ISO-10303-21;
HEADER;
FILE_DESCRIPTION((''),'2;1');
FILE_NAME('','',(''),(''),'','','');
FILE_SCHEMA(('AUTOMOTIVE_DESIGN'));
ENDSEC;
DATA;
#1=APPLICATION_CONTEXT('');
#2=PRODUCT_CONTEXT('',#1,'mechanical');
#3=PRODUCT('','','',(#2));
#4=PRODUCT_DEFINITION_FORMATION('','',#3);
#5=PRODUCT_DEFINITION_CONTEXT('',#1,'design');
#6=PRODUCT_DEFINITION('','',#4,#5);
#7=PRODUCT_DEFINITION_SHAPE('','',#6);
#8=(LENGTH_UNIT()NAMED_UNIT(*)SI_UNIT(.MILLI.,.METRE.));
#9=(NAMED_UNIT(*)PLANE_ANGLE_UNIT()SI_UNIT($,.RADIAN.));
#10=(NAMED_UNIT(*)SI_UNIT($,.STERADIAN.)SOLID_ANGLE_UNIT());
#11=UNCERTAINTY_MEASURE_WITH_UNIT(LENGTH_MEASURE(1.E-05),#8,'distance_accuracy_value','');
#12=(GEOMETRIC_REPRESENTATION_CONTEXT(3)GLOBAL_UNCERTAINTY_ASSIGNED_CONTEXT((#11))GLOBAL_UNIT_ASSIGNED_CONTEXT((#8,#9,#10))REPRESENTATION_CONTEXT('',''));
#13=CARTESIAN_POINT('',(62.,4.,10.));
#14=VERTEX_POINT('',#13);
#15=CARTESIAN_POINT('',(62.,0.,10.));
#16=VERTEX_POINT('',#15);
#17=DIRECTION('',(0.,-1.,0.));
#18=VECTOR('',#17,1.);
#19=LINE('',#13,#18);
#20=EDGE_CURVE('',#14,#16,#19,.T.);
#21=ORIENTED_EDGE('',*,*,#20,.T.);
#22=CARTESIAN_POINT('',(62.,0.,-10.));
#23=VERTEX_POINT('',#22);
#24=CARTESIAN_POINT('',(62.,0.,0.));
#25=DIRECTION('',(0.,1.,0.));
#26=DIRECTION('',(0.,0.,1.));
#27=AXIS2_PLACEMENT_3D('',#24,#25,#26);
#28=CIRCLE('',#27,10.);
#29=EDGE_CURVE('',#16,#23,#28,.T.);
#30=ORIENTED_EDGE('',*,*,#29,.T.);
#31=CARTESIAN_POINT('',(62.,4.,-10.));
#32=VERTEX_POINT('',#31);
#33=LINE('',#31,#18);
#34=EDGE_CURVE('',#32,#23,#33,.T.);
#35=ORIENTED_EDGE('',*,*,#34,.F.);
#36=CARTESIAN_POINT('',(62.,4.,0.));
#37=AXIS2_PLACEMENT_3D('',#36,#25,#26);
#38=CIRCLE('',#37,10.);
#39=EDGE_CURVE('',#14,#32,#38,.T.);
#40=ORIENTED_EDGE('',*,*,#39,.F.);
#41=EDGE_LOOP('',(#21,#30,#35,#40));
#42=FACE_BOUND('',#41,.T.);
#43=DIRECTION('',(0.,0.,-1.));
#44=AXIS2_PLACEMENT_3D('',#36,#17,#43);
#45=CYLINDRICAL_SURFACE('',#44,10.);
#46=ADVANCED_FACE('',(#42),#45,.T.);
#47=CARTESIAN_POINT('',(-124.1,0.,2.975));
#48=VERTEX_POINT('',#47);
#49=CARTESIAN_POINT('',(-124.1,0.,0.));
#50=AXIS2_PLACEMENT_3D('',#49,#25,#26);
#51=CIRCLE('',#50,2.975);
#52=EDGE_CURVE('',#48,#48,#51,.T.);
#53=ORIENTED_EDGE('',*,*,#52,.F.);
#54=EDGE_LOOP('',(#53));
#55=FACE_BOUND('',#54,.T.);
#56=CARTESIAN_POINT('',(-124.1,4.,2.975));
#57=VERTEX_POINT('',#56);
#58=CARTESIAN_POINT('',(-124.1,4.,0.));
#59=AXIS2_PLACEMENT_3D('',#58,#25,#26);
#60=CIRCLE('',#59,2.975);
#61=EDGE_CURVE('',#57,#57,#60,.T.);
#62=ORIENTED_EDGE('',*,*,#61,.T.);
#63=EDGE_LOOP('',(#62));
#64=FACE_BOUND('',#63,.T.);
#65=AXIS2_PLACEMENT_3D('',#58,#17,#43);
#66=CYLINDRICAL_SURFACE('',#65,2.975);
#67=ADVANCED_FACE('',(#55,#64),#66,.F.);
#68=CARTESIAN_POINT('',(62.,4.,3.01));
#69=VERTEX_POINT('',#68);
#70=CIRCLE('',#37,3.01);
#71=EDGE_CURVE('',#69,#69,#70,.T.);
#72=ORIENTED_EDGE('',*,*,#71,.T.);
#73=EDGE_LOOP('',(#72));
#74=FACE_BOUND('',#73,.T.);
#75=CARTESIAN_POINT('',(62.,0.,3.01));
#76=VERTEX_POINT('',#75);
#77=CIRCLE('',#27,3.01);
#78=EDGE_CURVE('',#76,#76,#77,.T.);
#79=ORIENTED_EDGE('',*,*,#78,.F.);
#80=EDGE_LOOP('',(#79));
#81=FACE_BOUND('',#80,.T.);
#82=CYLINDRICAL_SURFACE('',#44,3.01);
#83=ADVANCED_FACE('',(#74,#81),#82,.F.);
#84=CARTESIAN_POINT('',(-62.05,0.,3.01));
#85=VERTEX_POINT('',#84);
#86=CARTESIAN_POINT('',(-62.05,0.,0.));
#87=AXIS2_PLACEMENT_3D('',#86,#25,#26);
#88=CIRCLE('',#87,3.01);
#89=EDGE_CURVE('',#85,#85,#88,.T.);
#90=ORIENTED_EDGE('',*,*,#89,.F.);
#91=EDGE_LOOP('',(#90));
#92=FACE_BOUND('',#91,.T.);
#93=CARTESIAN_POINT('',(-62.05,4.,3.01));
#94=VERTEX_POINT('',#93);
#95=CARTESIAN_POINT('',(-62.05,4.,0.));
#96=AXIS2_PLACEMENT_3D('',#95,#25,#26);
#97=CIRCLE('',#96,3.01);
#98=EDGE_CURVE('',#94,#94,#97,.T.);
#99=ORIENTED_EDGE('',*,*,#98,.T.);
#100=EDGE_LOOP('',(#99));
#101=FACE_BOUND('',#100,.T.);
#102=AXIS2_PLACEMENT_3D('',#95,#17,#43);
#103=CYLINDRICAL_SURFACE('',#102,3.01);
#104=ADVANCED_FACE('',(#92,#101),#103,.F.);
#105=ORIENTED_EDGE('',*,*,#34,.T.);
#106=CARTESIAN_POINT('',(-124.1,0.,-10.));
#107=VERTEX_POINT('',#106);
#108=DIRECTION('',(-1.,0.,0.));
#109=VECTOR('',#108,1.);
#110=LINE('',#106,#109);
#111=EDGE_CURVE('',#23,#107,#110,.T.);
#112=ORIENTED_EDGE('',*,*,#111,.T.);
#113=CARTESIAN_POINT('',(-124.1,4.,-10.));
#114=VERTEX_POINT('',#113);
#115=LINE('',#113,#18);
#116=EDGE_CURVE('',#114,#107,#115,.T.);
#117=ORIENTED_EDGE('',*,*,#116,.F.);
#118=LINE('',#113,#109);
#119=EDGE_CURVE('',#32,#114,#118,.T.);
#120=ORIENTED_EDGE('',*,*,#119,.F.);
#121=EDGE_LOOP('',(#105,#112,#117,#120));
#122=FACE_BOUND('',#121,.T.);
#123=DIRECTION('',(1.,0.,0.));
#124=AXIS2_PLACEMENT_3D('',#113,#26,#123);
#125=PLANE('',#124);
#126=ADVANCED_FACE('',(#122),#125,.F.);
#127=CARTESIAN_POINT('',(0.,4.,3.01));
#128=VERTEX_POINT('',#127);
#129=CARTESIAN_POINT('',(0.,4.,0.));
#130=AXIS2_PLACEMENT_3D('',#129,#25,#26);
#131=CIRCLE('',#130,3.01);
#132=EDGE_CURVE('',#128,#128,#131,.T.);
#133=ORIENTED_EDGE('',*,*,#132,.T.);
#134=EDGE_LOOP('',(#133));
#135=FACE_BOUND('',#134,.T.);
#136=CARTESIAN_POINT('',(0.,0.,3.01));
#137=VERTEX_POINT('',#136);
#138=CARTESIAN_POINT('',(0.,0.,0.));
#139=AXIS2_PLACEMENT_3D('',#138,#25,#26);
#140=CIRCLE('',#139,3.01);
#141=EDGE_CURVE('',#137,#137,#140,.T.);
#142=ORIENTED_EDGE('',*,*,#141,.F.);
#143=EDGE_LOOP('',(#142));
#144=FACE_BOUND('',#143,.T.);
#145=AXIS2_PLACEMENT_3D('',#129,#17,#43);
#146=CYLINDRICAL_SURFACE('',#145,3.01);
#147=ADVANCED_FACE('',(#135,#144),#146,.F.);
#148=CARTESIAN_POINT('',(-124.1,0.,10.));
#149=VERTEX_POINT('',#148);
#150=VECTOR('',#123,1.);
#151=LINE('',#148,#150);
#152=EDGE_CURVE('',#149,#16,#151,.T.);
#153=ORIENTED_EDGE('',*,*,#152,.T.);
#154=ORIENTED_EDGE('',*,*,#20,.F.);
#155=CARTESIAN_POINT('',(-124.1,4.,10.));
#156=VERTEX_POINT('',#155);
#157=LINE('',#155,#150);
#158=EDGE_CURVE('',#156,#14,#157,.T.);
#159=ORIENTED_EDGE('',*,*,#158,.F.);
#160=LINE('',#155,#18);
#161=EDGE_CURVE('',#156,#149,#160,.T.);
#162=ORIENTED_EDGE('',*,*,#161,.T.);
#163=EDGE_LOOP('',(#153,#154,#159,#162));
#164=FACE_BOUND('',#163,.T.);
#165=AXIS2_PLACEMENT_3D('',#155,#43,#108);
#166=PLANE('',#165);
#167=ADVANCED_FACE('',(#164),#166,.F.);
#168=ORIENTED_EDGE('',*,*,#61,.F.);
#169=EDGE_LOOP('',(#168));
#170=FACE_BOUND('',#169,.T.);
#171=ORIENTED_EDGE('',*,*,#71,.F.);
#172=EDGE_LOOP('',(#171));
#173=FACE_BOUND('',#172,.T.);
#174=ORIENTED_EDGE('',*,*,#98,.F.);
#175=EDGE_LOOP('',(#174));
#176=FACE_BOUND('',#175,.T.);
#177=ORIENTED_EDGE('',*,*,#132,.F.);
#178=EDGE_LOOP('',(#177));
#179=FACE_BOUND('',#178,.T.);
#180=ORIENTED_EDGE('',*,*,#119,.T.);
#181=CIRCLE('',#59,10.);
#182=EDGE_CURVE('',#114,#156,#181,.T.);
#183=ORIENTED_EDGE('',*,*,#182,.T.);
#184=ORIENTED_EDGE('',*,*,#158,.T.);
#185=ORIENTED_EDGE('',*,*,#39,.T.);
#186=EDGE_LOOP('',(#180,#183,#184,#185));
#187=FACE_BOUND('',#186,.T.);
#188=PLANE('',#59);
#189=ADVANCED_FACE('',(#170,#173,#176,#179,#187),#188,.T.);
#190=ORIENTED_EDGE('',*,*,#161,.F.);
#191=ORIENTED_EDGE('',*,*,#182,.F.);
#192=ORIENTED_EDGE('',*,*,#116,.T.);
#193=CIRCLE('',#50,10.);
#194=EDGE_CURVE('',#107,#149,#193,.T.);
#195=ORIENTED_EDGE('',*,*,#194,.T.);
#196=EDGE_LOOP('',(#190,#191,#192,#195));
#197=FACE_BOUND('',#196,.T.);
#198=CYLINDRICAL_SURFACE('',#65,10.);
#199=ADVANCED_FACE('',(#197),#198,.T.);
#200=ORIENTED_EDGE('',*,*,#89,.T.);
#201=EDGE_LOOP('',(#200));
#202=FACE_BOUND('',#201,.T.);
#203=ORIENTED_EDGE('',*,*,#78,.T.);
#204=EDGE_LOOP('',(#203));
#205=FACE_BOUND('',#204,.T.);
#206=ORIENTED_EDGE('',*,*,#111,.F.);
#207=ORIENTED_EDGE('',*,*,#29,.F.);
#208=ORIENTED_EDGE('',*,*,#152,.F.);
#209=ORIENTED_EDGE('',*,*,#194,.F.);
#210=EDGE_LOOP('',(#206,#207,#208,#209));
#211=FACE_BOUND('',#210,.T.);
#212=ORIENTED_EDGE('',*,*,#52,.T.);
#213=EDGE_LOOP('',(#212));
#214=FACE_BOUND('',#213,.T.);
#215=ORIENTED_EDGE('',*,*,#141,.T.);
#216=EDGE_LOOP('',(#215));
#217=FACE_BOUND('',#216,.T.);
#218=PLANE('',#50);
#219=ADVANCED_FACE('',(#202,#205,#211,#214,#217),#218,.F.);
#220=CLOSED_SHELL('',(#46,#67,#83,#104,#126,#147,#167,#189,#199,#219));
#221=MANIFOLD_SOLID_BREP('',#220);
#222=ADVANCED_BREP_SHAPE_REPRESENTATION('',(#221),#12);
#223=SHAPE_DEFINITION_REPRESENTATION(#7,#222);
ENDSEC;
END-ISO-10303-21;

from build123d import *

# Parameters (mm, degrees)
SKETCH1_R           = 2.975
SKETCH1_R_2         = 3.01
BOSS_EXTRUDE1_DEPTH = 4


with BuildPart() as part:
    # Sketch1 → Boss-Extrude1 (new body)
    with BuildSketch(Plane(origin=(0, 0, 0), x_dir=(1, 0, 0), z_dir=(0, 1, 0))):
        with BuildLine():
            Line((-124.1, 10), (62, 10))
            ThreePointArc((62, 10), (72, 0), (62, -10))
            Line((62, -10), (-124.1, -10))
            ThreePointArc((-124.1, -10), (-134.1, 0), (-124.1, 10))
        make_face()
        with Locations(Location((-124.1, 0, 0), (0, 0, 270))):
            Circle(SKETCH1_R, mode=Mode.SUBTRACT)
        with Locations(Location((-62.05, 0, 0), (0, 0, 270))):
            Circle(SKETCH1_R_2, mode=Mode.SUBTRACT)
        with Locations(Location((0, 0, 0), (0, 0, 270))):
            Circle(SKETCH1_R_2, mode=Mode.SUBTRACT)
        with Locations(Location((62, 0, 0), (0, 0, 270))):
            Circle(SKETCH1_R_2, mode=Mode.SUBTRACT)
    extrude(amount=BOSS_EXTRUDE1_DEPTH)


solid = part.part
